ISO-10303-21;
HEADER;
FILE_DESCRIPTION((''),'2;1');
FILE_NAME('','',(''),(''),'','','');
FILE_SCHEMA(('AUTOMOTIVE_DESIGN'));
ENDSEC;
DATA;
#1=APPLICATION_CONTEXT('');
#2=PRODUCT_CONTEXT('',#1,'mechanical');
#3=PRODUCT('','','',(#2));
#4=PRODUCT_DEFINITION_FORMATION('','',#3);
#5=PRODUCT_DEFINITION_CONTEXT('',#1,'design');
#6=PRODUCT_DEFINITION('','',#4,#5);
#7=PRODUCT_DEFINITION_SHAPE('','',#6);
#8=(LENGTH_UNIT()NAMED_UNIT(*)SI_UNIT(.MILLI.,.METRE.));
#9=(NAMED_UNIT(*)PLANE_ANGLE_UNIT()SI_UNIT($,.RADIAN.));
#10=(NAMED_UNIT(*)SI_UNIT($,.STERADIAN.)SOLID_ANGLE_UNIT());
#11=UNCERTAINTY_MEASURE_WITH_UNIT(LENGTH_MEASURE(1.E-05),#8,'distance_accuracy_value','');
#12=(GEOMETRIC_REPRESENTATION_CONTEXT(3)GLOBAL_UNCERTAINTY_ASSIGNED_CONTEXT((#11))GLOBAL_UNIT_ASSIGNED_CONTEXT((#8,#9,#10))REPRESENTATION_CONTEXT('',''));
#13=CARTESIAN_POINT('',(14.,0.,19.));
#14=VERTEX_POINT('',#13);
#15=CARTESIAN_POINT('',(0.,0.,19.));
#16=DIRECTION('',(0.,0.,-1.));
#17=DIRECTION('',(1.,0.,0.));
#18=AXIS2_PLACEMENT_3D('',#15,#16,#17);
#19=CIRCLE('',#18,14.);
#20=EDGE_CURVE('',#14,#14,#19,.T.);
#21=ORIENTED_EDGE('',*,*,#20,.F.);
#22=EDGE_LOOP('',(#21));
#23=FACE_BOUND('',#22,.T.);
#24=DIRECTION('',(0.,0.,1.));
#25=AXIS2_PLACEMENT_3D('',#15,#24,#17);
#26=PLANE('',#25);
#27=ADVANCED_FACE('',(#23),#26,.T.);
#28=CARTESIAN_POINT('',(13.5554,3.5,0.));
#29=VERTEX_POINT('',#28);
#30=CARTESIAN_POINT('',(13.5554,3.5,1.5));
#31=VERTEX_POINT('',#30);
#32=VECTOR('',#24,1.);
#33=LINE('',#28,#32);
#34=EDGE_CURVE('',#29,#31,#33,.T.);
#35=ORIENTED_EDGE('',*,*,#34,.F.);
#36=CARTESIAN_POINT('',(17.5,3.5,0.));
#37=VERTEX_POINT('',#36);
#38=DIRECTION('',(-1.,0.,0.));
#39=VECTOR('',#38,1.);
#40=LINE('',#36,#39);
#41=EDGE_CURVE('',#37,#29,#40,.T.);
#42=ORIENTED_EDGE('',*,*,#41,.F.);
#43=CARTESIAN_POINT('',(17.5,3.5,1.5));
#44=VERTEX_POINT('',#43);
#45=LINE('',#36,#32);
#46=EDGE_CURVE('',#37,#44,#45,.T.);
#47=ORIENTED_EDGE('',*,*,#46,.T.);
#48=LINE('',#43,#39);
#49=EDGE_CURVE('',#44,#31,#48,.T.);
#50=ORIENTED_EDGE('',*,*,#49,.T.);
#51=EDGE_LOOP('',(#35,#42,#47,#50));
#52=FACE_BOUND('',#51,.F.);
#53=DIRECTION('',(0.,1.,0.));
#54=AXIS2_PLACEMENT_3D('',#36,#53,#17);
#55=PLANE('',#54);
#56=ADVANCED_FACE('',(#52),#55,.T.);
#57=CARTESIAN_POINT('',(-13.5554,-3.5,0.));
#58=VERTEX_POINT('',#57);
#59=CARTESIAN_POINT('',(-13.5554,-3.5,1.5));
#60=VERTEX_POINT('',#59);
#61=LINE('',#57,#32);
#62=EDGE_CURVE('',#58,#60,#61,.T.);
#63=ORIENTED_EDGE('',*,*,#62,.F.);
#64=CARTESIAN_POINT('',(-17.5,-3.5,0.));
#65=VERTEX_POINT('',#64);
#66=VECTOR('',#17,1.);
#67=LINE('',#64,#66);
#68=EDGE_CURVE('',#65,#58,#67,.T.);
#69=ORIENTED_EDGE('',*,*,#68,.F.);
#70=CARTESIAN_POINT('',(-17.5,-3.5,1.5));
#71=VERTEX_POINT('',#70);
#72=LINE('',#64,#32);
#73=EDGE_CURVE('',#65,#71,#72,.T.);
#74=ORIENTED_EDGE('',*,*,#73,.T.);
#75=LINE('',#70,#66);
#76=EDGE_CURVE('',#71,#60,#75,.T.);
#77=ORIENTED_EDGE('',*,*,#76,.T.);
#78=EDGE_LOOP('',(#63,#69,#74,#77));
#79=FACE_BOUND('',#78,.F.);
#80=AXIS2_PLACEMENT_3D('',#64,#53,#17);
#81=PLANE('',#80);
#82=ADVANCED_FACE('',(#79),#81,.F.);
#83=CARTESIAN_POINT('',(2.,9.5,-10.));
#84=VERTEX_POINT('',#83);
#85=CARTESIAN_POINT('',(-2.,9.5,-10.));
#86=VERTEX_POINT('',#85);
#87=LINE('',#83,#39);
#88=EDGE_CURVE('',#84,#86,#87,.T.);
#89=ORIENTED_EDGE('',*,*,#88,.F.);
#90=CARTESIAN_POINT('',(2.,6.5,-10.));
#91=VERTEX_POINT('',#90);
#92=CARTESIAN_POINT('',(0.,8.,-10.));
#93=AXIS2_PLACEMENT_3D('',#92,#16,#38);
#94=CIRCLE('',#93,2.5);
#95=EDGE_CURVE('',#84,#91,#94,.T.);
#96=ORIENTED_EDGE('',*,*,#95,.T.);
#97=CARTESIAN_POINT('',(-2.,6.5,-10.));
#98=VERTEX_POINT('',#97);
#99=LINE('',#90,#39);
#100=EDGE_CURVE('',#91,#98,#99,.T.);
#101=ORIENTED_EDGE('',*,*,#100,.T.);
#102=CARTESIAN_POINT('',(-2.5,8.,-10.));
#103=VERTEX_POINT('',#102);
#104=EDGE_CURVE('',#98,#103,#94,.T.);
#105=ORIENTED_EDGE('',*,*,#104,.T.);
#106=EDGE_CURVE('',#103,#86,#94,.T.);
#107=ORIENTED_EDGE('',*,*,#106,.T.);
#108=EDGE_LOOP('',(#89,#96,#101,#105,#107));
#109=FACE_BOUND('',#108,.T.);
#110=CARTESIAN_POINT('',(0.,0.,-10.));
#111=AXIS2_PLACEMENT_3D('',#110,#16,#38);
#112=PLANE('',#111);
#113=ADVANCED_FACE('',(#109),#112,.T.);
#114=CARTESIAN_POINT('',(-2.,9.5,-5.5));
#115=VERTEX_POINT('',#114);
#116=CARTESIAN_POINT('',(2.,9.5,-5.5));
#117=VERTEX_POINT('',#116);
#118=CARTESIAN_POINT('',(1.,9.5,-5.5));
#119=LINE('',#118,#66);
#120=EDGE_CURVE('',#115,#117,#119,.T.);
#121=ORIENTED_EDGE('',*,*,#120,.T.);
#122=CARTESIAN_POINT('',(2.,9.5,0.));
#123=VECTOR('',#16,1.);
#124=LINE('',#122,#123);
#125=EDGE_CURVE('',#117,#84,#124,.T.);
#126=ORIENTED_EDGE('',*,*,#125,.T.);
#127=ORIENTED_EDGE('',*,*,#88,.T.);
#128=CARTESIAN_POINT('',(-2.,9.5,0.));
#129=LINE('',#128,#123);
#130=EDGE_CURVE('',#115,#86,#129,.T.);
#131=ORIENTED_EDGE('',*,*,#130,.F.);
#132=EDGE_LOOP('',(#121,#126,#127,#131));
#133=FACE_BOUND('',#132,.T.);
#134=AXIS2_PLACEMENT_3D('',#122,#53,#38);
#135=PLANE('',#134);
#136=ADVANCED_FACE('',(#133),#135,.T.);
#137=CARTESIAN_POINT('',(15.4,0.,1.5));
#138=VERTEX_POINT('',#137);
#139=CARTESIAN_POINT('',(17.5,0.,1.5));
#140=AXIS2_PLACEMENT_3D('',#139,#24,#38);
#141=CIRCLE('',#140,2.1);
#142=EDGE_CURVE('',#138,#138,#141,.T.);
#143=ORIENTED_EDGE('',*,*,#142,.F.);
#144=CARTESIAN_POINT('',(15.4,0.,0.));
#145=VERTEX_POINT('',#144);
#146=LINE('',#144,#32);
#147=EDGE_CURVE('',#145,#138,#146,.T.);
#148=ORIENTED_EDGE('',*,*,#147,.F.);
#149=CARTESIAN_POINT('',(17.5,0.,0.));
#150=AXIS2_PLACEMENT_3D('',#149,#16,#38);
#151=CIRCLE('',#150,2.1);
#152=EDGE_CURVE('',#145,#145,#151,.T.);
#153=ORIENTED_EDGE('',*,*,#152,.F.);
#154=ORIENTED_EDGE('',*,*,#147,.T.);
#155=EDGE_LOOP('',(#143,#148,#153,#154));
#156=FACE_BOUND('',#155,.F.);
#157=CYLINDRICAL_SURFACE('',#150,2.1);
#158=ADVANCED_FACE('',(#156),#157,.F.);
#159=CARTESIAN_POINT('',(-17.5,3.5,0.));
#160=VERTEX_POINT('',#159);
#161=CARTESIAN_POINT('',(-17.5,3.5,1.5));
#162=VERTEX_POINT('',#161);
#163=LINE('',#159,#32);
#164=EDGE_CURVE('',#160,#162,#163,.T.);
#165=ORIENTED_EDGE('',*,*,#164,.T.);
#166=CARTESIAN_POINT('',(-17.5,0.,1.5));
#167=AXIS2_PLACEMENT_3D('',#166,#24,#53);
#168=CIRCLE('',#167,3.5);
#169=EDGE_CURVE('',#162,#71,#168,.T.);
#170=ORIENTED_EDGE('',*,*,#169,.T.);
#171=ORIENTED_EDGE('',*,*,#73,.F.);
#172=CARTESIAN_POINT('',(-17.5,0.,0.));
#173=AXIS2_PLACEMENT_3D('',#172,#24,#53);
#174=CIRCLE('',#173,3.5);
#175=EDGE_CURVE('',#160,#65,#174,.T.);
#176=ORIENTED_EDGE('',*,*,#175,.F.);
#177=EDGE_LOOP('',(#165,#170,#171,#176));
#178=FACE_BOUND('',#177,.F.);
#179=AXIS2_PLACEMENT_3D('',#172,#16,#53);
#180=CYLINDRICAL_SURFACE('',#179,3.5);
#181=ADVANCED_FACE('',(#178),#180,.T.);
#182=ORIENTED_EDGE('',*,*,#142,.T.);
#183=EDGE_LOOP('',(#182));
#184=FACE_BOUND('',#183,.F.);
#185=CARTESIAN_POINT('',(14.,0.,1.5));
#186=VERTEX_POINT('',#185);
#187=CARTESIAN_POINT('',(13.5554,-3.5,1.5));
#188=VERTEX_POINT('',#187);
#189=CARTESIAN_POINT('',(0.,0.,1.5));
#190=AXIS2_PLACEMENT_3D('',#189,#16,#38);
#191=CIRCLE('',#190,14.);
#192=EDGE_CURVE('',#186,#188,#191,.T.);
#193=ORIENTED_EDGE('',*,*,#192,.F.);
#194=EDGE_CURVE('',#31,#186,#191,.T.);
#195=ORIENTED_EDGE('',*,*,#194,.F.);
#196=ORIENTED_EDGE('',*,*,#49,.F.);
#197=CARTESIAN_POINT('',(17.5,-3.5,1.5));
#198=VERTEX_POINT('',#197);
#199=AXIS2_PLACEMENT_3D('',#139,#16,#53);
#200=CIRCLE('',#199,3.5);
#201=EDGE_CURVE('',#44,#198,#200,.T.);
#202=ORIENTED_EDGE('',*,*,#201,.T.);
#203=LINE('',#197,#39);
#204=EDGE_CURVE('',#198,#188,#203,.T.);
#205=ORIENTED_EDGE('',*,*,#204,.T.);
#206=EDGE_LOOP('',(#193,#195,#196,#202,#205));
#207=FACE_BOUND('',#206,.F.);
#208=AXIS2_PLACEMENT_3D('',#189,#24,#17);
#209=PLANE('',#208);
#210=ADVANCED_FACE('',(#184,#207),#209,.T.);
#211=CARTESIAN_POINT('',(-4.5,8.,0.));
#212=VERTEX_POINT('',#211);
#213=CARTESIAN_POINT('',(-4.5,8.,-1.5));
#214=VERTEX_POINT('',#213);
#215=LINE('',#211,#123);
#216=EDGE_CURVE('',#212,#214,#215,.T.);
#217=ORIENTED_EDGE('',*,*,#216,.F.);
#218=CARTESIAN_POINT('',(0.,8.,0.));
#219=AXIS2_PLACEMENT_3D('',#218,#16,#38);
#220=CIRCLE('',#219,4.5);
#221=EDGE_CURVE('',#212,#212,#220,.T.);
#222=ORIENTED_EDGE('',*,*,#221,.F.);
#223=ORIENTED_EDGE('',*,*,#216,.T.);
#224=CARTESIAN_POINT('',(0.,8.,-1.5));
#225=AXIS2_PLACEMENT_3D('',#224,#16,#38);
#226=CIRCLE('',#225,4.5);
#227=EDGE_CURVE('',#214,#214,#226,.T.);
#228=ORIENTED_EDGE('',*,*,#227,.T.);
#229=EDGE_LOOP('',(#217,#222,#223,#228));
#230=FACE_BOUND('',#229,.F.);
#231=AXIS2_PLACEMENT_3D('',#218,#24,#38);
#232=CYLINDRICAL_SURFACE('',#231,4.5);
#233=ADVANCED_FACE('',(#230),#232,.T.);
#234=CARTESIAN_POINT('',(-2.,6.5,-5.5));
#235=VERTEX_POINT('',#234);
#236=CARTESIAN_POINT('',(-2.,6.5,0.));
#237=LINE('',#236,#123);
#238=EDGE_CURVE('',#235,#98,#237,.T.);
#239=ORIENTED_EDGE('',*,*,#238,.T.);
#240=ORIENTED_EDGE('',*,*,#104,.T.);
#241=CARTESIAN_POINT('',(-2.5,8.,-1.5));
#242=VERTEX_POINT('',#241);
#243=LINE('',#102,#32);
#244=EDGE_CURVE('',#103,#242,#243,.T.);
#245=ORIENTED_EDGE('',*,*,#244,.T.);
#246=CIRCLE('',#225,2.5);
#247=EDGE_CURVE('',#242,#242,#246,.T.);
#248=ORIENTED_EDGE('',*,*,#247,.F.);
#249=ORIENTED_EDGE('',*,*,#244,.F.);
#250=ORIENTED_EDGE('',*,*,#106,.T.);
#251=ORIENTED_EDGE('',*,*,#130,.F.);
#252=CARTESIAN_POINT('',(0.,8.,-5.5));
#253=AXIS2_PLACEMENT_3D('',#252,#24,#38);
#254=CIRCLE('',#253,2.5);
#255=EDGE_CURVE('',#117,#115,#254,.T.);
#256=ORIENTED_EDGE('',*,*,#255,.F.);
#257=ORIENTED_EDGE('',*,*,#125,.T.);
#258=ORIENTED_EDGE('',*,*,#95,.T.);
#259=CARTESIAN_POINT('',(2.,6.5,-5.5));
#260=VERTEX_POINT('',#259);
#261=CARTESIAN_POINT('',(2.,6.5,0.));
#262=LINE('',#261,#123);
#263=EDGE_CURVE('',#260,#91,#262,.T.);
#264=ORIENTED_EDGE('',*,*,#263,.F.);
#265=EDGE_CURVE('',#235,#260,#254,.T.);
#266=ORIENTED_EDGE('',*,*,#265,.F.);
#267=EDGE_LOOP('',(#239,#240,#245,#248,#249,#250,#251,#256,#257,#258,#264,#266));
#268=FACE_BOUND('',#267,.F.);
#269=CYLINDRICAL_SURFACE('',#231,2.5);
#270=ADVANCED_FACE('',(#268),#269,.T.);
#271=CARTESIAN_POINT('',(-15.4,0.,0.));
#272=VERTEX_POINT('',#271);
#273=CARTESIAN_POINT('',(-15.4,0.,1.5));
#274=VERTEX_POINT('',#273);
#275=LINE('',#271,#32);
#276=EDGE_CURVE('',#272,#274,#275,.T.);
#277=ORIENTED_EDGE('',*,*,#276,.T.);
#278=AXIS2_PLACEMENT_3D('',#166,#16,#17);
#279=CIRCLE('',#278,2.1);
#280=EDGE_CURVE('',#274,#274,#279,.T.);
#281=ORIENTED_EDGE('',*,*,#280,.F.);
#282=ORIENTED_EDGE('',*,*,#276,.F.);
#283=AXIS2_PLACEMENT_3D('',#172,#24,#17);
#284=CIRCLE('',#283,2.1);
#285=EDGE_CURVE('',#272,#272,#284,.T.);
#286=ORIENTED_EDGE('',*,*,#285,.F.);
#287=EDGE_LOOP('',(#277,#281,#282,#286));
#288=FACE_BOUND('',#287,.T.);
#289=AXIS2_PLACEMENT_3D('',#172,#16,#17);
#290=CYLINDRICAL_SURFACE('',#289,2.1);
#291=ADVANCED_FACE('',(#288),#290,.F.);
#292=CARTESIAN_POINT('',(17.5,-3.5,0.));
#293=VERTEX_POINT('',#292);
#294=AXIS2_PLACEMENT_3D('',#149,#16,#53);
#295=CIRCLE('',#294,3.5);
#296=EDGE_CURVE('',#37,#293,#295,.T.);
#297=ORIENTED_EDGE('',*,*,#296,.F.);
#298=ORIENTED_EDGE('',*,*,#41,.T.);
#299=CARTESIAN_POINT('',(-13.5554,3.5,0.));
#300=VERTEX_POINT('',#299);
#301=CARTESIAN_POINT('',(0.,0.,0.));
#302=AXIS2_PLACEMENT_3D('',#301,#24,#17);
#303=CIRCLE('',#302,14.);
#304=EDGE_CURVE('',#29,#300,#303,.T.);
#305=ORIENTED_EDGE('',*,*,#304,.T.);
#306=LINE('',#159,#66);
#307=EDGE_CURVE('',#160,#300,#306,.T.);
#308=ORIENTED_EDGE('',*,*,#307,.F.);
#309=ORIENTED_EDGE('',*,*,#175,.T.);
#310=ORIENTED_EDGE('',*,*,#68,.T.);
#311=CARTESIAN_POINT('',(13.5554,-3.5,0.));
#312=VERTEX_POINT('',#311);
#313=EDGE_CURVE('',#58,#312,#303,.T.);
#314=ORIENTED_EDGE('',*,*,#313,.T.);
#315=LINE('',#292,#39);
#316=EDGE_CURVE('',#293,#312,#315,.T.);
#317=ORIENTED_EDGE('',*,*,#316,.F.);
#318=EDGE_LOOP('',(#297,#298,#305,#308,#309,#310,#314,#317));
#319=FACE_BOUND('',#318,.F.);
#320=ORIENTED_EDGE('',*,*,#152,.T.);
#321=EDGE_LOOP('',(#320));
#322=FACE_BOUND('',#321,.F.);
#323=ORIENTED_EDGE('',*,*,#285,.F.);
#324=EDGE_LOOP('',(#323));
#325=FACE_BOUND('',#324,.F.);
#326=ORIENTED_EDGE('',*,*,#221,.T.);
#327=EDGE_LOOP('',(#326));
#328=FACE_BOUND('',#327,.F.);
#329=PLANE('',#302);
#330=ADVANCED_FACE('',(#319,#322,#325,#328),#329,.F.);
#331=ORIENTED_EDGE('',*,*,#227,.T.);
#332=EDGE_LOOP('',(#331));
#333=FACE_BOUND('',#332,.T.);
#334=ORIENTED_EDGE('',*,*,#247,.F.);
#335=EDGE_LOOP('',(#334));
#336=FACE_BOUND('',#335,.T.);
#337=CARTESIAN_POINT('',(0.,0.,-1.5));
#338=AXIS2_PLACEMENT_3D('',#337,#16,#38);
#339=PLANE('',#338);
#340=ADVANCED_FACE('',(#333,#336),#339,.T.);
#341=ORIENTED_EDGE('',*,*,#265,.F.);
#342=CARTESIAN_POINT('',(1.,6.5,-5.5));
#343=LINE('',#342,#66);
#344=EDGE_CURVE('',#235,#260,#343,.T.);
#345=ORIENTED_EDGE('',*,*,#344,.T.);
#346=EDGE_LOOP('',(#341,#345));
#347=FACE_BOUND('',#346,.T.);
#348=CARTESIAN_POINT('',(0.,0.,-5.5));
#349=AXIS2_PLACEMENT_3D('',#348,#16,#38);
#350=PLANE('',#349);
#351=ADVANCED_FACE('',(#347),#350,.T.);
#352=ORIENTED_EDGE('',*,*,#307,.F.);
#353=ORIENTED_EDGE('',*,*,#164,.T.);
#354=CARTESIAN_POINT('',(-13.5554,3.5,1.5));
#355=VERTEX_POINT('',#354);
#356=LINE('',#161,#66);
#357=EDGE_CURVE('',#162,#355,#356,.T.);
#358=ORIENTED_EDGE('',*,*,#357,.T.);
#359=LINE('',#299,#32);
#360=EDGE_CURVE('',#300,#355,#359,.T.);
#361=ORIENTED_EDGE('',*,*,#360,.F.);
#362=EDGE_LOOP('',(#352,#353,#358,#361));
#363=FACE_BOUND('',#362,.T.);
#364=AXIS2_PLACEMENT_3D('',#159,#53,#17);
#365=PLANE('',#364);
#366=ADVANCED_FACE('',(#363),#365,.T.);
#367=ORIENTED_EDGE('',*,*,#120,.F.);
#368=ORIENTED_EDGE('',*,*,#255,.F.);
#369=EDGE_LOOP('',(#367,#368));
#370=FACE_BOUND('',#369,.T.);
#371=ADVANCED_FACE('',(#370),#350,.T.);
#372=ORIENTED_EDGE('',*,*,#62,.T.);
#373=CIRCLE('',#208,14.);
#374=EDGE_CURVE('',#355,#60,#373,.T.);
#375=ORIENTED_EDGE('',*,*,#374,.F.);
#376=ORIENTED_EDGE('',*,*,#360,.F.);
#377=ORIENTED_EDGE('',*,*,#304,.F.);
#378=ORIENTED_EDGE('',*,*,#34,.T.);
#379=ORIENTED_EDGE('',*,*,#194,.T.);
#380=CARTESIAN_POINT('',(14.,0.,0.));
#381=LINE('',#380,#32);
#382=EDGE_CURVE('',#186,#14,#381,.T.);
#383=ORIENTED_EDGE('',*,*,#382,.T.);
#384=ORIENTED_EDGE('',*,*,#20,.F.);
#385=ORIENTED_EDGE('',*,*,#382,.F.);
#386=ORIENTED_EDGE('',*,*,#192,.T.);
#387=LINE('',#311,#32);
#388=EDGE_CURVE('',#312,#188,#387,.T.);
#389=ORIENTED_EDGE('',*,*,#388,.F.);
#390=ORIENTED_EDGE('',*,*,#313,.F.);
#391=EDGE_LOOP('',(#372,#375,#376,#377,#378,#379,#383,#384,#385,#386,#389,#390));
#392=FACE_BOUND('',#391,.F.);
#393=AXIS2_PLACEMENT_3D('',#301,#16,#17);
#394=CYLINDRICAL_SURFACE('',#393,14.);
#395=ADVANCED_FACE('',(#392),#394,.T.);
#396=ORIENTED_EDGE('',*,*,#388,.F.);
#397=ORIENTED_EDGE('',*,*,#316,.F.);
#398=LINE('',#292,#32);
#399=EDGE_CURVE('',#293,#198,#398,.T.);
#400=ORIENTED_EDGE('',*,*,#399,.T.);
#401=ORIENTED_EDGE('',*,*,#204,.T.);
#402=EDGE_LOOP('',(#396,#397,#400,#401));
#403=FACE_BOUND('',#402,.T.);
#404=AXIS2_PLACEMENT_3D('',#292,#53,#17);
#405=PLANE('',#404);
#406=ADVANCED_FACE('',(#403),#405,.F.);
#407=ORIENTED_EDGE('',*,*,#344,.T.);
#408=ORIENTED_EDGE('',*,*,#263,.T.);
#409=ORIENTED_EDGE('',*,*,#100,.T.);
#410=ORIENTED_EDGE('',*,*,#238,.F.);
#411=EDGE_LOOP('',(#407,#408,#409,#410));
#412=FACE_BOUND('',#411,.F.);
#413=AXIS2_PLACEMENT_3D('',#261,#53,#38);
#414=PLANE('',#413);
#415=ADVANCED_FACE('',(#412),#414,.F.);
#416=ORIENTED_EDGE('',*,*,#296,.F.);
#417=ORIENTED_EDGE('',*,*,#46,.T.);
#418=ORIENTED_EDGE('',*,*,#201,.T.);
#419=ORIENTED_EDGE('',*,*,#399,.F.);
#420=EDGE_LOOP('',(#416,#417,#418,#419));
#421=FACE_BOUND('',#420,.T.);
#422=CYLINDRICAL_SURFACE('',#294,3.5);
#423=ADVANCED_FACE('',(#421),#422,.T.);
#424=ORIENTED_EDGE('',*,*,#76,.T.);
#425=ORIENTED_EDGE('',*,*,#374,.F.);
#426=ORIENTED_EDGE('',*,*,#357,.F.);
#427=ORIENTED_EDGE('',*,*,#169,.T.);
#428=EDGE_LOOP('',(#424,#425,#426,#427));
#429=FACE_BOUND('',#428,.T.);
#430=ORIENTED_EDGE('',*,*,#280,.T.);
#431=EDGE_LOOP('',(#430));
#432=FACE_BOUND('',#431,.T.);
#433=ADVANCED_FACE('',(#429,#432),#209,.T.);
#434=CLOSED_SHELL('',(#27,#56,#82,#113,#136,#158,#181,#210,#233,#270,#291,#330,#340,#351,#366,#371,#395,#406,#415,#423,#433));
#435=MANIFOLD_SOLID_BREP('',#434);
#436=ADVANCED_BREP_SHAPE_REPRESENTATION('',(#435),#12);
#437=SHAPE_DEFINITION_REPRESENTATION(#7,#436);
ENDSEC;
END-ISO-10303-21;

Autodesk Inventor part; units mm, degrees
ref_plane "YZ Plane" through (0, 0, 0) normal (1, 0, 0) x (0, 1, 0)
ref_plane "XZ Plane" through (0, 0, 0) normal (0, 1, 0) x (-1, 0, 0)
ref_plane "XY Plane" through (0, 0, 0) normal (0, 0, 1) x (1, 0, 0)
sketch "Sketch1" plane through (0, 0, 0) normal (0, 0, 1) x (1, 0, 0)
  circle A0 centre (0, 0) radius 14
  line L0 (0, 14) -> (0, -14)
  line L1 (-17.5, 9.3538) -> (-17.5, -9.6398)
  circle A1 centre (-17.5, 0) radius 2.1
  arc A2 (-17.5, 3.5) -> (-17.5, -3.5) centre (-17.5, 0) ccw
  line L2 (-17.5, 3.5) -> (-13.5554, 3.5)
  line L3 (-17.5, -3.5) -> (-13.5554, -3.5)
  dimension "d0" = 28
  dimension "d1" = 17.5
  dimension "d2" = 4.2
  dimension "d5" = 7
extrude "Extrusion1" add sketch "Sketch1" along normal blind 19 contours A0 L0 | L0 A0
extrude "Extrusion2" add sketch "Sketch1" along normal blind 1.5 contours A0 L3 L1 A1 L2 | L1 A1 A2
mirror "Mirror1" about plane through (0, 0, 0) normal (1, 0, 0) of "Extrusion2"
sketch "Sketch3" plane through (0, 0, 0) normal (0, 0, -1) x (-1, 0, 0)
  circle A0 centre (0, 8) radius 4.5
  circle A1 centre (0, 8) radius 2.5
  line L0 (-2, 9.5) -> (2, 9.5)
  line L1 (-2, 6.5) -> (2, 6.5)
  point P0 (0, 0)
  point P1 (0, 10.5)
  point P2 (0, 5.5)
  dimension "d8" = 9
  dimension "d9" = 8
  dimension "d10" = 5
  dimension "d12" = 1
  dimension "d13" = 1
extrude "Extrusion3" add sketch "Sketch3" along normal blind 1.5 contours A0 | A1 L1 L0 | L0 A1 | A1 L1
extrude "Extrusion4" add sketch "Sketch3" along normal blind 5.5 contours A1 L1 L0 | L0 A1 | A1 L1
extrude "Extrusion5" add sketch "Sketch3" along normal blind 10 contours A1 L1 L0
properties part number "motooor"
